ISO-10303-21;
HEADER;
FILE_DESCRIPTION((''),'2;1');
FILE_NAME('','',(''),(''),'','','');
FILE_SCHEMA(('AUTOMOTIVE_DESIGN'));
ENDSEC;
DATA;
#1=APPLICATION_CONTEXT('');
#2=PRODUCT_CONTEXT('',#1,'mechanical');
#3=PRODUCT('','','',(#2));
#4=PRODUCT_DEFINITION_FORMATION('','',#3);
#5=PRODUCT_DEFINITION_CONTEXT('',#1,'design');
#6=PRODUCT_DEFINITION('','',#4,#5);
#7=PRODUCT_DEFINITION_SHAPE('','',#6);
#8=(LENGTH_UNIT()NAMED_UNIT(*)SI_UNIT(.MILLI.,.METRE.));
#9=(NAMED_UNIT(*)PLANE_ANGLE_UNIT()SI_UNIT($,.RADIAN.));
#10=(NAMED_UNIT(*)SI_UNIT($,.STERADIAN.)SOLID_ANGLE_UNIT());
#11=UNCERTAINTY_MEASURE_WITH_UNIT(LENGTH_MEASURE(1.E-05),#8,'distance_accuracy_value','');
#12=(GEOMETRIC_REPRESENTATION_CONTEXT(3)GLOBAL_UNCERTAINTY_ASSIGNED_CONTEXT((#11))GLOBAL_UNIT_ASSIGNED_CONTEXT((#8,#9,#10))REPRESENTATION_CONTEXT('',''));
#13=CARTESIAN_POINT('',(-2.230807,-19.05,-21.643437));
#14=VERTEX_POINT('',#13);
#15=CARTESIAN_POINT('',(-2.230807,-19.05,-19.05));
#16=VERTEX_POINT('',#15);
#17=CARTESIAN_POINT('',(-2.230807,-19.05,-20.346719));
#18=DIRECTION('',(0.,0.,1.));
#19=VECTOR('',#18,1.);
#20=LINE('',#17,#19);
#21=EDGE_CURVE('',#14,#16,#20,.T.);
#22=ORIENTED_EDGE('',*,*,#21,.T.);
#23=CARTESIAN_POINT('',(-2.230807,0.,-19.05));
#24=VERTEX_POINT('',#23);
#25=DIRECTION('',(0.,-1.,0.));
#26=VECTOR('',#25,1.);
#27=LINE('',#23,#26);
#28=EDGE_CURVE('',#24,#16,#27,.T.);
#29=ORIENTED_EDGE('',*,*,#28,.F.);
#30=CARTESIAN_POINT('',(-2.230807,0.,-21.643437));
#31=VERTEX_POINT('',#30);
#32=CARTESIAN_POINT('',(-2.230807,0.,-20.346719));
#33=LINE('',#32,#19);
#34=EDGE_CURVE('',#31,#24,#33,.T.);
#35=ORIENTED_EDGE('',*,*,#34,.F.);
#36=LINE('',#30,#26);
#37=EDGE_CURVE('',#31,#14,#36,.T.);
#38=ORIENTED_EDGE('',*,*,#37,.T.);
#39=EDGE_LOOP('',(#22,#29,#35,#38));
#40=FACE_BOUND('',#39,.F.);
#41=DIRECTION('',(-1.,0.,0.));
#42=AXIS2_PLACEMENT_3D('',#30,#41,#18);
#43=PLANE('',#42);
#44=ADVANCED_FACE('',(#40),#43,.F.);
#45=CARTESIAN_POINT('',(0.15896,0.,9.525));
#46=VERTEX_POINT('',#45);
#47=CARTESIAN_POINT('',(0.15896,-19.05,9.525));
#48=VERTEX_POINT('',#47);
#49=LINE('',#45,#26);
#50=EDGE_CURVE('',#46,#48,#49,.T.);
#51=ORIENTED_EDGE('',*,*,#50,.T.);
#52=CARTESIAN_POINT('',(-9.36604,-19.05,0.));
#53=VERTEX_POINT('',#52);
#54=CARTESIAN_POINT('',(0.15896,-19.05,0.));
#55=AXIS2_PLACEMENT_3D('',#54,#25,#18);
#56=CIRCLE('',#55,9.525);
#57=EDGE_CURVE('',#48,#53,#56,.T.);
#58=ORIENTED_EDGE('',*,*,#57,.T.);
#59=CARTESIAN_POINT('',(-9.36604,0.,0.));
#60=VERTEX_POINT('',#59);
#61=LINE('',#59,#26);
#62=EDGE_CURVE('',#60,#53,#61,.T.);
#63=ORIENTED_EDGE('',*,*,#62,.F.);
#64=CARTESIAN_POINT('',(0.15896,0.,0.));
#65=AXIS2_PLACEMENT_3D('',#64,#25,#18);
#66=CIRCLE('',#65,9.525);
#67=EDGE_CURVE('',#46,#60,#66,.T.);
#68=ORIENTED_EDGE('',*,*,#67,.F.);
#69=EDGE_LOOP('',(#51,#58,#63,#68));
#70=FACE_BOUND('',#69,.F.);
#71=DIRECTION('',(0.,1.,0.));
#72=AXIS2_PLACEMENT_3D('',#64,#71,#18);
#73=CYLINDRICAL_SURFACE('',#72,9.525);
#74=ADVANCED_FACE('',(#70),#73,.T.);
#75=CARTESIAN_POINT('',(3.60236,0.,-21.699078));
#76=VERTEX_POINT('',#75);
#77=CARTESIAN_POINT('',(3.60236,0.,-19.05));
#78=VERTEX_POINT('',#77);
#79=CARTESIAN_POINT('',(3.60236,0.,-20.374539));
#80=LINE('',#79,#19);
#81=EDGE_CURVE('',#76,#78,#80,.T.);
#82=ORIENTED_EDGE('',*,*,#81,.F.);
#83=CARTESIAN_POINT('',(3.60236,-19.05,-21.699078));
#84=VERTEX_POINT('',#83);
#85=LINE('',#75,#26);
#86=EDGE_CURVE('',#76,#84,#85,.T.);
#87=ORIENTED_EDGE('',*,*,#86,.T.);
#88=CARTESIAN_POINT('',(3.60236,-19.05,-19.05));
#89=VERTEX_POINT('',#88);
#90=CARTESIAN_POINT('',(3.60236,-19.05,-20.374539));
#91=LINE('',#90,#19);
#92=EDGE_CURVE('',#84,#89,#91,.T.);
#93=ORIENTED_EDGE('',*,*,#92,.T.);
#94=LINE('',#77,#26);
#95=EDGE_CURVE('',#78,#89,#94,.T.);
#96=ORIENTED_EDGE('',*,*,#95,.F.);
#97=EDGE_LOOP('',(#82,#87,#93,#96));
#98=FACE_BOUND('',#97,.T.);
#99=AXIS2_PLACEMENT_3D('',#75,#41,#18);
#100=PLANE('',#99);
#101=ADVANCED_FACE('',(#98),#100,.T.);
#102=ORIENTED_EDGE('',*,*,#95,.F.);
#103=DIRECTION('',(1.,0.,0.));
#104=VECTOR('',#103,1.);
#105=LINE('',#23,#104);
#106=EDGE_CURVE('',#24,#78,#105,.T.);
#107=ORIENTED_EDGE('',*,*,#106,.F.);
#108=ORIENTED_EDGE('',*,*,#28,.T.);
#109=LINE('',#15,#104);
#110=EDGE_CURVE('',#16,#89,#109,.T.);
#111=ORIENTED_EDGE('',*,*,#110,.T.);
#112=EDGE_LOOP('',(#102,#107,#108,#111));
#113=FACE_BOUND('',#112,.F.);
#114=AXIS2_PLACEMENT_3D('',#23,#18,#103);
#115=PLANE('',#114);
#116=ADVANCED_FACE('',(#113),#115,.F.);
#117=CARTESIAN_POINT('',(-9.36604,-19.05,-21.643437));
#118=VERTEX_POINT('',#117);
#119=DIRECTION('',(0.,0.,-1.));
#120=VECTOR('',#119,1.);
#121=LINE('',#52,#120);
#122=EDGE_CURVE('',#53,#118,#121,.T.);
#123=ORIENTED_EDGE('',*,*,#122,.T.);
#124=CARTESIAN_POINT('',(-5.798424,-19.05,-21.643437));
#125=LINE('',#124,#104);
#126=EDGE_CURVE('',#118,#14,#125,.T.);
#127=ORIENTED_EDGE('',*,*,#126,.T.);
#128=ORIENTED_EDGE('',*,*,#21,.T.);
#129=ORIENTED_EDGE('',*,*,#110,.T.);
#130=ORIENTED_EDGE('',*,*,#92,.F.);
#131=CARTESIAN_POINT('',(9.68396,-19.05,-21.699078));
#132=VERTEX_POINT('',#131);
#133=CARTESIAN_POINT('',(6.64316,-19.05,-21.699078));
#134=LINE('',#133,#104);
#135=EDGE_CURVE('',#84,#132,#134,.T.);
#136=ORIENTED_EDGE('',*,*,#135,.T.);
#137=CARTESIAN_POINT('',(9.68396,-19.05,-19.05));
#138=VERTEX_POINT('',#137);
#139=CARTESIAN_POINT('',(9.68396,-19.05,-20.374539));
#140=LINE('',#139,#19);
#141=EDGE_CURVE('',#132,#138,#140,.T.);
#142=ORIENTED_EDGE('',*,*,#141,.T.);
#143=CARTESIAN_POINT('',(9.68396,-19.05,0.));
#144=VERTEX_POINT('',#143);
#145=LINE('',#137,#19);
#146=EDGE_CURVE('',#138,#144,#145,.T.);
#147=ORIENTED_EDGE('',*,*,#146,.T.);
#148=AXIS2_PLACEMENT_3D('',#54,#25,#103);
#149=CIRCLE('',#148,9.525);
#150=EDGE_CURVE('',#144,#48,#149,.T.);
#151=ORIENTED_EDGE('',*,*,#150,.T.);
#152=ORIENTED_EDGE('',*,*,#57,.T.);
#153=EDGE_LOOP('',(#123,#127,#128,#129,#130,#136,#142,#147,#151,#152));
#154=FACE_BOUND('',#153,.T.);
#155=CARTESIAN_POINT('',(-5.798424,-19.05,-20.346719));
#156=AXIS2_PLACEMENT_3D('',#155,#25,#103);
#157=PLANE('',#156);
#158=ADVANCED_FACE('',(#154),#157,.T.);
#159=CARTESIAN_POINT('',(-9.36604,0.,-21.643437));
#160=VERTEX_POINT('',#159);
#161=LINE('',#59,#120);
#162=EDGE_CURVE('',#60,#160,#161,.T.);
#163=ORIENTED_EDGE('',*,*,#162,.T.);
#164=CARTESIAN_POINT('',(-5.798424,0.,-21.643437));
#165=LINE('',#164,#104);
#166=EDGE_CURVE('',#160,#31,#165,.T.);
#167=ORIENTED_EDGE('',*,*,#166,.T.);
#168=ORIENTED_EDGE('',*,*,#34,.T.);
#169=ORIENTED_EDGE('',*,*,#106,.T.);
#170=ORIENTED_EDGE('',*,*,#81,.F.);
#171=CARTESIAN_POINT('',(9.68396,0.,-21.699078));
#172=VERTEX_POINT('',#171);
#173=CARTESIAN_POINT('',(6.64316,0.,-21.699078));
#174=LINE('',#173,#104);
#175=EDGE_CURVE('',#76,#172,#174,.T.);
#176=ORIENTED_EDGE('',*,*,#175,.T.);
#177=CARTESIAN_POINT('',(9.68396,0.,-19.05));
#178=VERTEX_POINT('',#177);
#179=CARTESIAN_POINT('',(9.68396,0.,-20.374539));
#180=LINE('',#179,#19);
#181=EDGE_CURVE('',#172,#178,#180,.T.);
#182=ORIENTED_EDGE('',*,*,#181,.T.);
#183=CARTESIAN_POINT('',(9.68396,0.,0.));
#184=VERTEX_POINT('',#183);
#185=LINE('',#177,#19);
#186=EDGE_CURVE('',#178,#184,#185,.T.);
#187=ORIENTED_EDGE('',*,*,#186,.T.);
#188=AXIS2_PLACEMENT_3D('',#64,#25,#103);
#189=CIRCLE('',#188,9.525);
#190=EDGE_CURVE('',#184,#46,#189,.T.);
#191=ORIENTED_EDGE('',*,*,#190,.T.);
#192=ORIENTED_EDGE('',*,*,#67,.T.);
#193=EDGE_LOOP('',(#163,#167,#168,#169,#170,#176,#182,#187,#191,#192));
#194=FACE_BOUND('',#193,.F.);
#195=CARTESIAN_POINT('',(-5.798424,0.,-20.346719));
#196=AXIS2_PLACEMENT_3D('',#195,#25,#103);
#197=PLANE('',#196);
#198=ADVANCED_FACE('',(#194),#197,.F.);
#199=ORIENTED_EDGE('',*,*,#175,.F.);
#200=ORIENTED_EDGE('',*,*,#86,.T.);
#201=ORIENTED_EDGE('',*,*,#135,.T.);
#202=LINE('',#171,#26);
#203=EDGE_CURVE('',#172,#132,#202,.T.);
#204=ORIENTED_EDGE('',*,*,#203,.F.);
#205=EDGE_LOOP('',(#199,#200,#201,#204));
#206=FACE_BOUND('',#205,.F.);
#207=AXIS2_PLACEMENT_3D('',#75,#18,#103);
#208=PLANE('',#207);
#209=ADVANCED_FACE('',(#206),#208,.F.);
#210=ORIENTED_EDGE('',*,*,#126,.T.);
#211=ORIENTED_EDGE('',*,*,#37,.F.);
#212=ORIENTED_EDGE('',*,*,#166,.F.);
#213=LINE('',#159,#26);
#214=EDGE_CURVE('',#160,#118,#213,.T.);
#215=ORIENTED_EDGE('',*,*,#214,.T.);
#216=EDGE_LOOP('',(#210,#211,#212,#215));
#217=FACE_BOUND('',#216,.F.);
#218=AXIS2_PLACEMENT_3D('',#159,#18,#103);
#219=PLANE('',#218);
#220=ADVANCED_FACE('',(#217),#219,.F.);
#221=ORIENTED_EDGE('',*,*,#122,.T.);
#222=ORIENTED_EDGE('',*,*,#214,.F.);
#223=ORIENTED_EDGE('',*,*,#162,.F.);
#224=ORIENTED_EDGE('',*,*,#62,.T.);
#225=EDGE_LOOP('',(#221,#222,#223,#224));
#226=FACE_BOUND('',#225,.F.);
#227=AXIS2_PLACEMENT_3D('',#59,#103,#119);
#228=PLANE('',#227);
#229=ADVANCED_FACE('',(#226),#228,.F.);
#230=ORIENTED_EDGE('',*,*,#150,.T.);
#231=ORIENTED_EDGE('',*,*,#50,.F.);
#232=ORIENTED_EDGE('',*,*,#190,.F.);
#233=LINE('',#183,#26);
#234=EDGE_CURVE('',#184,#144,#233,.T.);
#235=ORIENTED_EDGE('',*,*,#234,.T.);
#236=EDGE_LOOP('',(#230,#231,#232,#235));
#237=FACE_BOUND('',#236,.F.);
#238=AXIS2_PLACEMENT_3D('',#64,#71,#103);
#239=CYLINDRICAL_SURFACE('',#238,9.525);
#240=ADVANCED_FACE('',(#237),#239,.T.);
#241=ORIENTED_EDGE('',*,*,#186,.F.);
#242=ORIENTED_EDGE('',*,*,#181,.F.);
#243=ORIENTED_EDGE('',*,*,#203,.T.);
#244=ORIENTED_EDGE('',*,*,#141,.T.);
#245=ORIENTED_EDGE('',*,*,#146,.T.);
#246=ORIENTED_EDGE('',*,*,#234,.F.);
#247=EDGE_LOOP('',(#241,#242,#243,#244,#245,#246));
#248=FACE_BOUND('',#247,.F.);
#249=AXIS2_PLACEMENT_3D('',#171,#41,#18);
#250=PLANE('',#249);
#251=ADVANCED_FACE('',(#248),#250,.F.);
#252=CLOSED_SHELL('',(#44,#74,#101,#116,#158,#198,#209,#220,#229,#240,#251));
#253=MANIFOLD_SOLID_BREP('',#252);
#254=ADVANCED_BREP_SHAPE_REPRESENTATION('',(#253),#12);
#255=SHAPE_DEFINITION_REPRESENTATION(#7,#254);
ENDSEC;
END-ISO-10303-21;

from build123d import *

# Parameters (mm, degrees)
F0_W     = 7.135232813
F0_H     = 2.5934374452
F0_W_2   = 6.0816000699
F0_H_2   = 2.6490783811
F1_DEPTH = 19.05


with BuildPart() as f1:
    # F0 (on Front) → F1 (new body)
    with BuildSketch(Plane.XZ):
        with Locations((-5.798423614, -20.3467187226)):
            Rectangle(F0_W, F0_H)
        Polygon((0.1589599795, -19.05), (0.1589599795, 0), (-9.3660400205, 0), (-9.3660400205, -19.05), (-2.2308072075, -19.05), align=None)
        with BuildLine():
            Line((0.1589599795, 0), (0.1589599795, 9.525))
            ThreePointArc((0.1589599795, 9.525), (-6.5762321113, 6.7351920908), (-9.3660400205, 0))
            Line((-9.3660400205, 0), (0.1589599795, 0))
        make_face()
        with BuildLine():
            Line((0.1589599795, 0), (9.6839599795, 0))
            ThreePointArc((9.6839599795, 0), (6.8941520703, 6.7351920908), (0.1589599795, 9.525))
            Line((0.1589599795, 9.525), (0.1589599795, 0))
        make_face()
        Polygon((9.6839599795, -19.05), (9.6839599795, 0), (0.1589599795, 0), (0.1589599795, -19.05), (3.6023599096, -19.05), align=None)
        with Locations((6.6431599445, -20.3745391905)):
            Rectangle(F0_W_2, F0_H_2)
    extrude(amount=F1_DEPTH)


solid = f1.part
